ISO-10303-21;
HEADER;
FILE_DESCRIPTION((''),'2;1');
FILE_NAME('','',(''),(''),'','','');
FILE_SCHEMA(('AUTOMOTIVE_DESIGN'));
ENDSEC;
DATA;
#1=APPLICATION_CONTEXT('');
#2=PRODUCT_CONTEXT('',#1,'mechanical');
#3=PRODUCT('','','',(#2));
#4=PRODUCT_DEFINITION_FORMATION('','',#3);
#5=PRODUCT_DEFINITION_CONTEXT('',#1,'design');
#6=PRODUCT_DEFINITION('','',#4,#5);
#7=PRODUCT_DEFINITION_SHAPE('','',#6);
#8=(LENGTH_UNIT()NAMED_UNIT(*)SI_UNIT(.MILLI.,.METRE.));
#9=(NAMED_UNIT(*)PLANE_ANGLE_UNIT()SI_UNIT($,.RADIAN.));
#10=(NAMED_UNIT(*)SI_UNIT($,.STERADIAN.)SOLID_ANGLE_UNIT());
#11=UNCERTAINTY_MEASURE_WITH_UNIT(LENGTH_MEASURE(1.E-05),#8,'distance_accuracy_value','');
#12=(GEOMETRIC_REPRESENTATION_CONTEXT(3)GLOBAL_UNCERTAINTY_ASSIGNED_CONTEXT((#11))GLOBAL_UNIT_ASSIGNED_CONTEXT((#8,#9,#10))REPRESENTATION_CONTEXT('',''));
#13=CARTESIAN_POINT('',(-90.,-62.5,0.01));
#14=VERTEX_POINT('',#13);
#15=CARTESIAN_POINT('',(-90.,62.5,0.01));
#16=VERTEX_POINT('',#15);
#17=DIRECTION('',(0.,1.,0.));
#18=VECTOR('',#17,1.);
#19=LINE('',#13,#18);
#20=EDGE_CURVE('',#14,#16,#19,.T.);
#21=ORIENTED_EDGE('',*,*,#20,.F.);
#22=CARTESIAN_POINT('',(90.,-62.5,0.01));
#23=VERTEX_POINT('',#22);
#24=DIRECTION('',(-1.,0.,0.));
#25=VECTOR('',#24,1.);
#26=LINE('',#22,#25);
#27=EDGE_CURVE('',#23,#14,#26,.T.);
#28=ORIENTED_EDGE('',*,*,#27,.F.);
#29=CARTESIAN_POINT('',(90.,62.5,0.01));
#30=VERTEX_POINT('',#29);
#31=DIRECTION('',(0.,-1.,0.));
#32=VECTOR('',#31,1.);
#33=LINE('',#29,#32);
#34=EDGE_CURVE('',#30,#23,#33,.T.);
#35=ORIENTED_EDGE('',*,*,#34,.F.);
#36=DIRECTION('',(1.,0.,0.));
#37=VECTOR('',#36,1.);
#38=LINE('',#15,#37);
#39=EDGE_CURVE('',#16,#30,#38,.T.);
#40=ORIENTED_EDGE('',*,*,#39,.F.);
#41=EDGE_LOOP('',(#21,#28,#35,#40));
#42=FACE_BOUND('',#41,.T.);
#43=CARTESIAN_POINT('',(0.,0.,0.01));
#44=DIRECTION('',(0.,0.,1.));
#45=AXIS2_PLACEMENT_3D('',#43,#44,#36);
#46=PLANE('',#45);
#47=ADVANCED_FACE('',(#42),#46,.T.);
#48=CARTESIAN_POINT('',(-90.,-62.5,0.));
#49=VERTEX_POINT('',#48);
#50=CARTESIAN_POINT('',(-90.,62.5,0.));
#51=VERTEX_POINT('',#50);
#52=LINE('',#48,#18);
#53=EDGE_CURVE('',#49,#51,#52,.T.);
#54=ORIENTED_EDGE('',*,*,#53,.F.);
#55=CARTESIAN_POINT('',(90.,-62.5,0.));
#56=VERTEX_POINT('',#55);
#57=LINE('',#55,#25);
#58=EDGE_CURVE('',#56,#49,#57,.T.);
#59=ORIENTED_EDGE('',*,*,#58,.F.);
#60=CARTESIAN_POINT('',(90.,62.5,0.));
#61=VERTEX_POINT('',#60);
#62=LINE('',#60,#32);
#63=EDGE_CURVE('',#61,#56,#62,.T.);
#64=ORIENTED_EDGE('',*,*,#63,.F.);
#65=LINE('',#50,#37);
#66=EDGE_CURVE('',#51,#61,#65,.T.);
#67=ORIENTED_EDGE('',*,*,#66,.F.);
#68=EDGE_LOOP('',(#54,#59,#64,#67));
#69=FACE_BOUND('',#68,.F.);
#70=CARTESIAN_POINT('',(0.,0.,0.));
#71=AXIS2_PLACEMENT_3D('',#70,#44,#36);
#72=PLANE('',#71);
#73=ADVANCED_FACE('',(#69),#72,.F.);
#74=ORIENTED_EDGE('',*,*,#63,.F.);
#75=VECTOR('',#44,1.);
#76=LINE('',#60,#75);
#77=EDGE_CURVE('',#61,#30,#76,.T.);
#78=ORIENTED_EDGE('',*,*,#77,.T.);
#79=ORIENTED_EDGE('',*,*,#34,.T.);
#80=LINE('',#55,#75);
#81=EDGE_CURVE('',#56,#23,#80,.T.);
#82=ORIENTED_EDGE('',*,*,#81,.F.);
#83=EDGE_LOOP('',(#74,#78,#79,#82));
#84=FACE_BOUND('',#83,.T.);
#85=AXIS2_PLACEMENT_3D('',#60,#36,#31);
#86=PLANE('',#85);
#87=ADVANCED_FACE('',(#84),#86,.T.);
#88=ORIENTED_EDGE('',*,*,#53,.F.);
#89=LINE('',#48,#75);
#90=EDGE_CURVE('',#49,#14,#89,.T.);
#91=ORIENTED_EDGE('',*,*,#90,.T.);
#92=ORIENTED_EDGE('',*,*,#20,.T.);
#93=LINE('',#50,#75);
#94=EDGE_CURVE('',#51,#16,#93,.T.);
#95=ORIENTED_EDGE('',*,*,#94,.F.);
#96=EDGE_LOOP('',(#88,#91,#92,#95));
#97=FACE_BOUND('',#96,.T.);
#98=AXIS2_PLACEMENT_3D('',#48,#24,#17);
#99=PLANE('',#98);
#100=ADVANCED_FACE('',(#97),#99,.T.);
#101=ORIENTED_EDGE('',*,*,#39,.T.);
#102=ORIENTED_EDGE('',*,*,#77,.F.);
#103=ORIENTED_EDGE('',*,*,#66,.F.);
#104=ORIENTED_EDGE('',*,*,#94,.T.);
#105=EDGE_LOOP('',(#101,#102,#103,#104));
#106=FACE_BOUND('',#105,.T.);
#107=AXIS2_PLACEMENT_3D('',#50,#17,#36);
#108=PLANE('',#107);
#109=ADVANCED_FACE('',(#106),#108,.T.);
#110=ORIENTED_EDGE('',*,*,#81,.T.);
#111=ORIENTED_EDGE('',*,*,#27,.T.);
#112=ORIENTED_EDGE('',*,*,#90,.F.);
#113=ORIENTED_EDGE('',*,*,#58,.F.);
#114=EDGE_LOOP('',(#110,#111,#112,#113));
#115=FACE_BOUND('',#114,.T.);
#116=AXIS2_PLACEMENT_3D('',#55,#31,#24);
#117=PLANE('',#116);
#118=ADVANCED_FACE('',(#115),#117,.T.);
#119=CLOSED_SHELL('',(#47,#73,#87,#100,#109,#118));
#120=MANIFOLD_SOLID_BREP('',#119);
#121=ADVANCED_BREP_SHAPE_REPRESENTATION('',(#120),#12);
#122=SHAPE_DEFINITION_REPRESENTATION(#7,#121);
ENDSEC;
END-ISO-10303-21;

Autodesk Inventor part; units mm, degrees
ref_plane "YZ Plane" through (0, 0, 0) normal (1, 0, 0) x (0, 1, 0)
ref_plane "XZ Plane" through (0, 0, 0) normal (0, 1, 0) x (-1, 0, 0)
ref_plane "XY Plane" through (0, 0, 0) normal (0, 0, 1) x (1, 0, 0)
sketch "Skizze1" plane through (0, 0, 0) normal (0, 0, 1) x (1, 0, 0)
  line L0 (-90, -62.5) -> (-90, 62.5) construction
  line L1 (-90, 62.5) -> (90, 62.5) construction
  line L2 (90, 62.5) -> (90, -62.5) construction
  line L3 (90, -62.5) -> (-90, -62.5) construction
  line L4 (-90, 62.5) -> (90, 62.5)
  line L5 (90, 62.5) -> (90, -62.5)
  line L6 (90, -62.5) -> (-90, -62.5)
  line L7 (-90, -62.5) -> (-90, 62.5)
  point P0 (0, 0)
extrude "Extrusion1" add sketch "Skizze1" along normal blind 0.01
properties part number "BrennerBrennTeil" material "Titan"
